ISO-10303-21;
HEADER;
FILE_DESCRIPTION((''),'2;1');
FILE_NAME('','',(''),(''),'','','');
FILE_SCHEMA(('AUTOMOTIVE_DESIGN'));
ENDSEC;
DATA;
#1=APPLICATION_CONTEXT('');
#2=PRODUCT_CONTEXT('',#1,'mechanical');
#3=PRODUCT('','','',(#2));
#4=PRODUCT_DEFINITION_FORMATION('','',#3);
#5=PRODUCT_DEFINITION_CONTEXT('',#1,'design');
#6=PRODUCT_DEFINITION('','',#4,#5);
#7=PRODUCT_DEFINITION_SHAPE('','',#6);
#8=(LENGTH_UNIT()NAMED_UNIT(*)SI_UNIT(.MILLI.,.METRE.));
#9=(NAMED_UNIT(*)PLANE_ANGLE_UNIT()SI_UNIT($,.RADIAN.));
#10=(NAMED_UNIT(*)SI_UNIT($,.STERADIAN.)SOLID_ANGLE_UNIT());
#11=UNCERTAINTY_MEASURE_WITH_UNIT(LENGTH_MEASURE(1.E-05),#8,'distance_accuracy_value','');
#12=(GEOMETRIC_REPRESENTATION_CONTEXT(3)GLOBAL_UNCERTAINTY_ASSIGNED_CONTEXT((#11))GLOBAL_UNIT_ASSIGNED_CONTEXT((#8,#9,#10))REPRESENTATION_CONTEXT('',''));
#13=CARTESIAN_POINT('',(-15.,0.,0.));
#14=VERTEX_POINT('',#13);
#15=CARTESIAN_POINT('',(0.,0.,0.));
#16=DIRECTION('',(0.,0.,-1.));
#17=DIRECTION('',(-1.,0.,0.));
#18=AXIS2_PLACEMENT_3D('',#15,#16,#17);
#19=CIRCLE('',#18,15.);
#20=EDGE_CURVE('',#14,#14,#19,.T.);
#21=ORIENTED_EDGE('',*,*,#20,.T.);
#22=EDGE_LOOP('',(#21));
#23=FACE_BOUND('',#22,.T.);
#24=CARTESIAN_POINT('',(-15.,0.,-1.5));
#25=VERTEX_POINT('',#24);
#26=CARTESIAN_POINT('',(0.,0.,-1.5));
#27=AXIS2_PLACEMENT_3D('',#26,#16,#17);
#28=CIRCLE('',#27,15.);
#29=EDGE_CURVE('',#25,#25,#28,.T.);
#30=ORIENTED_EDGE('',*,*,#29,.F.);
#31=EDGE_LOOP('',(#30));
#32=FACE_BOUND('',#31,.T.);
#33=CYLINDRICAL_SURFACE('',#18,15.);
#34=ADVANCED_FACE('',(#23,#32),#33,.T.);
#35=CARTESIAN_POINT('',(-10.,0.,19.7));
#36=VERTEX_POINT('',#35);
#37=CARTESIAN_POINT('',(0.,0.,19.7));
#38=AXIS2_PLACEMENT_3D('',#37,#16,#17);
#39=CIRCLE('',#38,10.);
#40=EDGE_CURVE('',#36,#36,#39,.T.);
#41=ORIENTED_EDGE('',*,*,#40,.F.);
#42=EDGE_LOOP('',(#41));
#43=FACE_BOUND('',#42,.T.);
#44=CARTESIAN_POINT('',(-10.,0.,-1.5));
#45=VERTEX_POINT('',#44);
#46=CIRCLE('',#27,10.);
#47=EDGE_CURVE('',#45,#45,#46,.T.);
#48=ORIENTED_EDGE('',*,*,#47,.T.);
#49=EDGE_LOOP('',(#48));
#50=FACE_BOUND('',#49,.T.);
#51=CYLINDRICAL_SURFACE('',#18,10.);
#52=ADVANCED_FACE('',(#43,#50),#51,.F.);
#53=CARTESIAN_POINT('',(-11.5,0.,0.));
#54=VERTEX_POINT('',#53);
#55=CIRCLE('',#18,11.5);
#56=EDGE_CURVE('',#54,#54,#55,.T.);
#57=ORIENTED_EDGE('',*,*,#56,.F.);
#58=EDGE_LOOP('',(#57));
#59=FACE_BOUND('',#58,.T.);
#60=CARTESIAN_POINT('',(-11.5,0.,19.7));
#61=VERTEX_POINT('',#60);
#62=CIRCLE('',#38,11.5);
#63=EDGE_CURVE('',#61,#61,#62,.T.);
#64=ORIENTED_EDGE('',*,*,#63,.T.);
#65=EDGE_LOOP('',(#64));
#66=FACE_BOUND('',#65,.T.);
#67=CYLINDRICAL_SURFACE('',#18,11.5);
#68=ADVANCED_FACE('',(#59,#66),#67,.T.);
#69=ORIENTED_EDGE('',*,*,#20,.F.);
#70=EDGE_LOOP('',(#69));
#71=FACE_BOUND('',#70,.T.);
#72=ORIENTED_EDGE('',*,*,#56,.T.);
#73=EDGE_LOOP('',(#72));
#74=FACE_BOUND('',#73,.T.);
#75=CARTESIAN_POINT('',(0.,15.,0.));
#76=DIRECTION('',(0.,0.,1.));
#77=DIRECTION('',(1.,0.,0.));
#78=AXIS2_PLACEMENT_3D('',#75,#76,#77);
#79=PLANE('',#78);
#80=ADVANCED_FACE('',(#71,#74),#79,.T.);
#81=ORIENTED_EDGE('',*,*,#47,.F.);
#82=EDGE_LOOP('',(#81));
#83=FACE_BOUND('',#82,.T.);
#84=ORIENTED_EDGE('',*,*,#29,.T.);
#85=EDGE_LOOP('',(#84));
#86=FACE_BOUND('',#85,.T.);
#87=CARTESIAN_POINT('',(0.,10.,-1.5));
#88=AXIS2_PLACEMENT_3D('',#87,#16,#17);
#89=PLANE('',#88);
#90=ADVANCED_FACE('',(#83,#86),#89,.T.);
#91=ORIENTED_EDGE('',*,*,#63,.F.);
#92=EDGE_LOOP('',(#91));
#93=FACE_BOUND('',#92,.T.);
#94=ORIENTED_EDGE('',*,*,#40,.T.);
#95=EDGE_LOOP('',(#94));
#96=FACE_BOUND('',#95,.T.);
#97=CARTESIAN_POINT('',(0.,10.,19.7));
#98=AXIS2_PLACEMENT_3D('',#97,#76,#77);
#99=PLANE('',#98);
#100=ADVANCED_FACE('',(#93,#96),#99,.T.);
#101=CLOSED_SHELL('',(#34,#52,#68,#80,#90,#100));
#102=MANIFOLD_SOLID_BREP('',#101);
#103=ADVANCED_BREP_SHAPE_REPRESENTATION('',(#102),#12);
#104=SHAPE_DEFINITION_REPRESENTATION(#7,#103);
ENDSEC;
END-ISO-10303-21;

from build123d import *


with BuildPart() as part:
    # Sketch1 → Revolve1 (revolve)
    with BuildSketch(Plane(origin=(0, 0, 0), x_dir=(0, 0, -1), z_dir=(1, 0, 0))):
        Polygon((1.5, 10), (-19.7, 10), (-19.7, 11.5), (0, 11.5), (0, 15), (1.5, 15), align=None)
    revolve(axis=Axis((0, 0, 0), (0, 0, 1)))


solid = part.part
